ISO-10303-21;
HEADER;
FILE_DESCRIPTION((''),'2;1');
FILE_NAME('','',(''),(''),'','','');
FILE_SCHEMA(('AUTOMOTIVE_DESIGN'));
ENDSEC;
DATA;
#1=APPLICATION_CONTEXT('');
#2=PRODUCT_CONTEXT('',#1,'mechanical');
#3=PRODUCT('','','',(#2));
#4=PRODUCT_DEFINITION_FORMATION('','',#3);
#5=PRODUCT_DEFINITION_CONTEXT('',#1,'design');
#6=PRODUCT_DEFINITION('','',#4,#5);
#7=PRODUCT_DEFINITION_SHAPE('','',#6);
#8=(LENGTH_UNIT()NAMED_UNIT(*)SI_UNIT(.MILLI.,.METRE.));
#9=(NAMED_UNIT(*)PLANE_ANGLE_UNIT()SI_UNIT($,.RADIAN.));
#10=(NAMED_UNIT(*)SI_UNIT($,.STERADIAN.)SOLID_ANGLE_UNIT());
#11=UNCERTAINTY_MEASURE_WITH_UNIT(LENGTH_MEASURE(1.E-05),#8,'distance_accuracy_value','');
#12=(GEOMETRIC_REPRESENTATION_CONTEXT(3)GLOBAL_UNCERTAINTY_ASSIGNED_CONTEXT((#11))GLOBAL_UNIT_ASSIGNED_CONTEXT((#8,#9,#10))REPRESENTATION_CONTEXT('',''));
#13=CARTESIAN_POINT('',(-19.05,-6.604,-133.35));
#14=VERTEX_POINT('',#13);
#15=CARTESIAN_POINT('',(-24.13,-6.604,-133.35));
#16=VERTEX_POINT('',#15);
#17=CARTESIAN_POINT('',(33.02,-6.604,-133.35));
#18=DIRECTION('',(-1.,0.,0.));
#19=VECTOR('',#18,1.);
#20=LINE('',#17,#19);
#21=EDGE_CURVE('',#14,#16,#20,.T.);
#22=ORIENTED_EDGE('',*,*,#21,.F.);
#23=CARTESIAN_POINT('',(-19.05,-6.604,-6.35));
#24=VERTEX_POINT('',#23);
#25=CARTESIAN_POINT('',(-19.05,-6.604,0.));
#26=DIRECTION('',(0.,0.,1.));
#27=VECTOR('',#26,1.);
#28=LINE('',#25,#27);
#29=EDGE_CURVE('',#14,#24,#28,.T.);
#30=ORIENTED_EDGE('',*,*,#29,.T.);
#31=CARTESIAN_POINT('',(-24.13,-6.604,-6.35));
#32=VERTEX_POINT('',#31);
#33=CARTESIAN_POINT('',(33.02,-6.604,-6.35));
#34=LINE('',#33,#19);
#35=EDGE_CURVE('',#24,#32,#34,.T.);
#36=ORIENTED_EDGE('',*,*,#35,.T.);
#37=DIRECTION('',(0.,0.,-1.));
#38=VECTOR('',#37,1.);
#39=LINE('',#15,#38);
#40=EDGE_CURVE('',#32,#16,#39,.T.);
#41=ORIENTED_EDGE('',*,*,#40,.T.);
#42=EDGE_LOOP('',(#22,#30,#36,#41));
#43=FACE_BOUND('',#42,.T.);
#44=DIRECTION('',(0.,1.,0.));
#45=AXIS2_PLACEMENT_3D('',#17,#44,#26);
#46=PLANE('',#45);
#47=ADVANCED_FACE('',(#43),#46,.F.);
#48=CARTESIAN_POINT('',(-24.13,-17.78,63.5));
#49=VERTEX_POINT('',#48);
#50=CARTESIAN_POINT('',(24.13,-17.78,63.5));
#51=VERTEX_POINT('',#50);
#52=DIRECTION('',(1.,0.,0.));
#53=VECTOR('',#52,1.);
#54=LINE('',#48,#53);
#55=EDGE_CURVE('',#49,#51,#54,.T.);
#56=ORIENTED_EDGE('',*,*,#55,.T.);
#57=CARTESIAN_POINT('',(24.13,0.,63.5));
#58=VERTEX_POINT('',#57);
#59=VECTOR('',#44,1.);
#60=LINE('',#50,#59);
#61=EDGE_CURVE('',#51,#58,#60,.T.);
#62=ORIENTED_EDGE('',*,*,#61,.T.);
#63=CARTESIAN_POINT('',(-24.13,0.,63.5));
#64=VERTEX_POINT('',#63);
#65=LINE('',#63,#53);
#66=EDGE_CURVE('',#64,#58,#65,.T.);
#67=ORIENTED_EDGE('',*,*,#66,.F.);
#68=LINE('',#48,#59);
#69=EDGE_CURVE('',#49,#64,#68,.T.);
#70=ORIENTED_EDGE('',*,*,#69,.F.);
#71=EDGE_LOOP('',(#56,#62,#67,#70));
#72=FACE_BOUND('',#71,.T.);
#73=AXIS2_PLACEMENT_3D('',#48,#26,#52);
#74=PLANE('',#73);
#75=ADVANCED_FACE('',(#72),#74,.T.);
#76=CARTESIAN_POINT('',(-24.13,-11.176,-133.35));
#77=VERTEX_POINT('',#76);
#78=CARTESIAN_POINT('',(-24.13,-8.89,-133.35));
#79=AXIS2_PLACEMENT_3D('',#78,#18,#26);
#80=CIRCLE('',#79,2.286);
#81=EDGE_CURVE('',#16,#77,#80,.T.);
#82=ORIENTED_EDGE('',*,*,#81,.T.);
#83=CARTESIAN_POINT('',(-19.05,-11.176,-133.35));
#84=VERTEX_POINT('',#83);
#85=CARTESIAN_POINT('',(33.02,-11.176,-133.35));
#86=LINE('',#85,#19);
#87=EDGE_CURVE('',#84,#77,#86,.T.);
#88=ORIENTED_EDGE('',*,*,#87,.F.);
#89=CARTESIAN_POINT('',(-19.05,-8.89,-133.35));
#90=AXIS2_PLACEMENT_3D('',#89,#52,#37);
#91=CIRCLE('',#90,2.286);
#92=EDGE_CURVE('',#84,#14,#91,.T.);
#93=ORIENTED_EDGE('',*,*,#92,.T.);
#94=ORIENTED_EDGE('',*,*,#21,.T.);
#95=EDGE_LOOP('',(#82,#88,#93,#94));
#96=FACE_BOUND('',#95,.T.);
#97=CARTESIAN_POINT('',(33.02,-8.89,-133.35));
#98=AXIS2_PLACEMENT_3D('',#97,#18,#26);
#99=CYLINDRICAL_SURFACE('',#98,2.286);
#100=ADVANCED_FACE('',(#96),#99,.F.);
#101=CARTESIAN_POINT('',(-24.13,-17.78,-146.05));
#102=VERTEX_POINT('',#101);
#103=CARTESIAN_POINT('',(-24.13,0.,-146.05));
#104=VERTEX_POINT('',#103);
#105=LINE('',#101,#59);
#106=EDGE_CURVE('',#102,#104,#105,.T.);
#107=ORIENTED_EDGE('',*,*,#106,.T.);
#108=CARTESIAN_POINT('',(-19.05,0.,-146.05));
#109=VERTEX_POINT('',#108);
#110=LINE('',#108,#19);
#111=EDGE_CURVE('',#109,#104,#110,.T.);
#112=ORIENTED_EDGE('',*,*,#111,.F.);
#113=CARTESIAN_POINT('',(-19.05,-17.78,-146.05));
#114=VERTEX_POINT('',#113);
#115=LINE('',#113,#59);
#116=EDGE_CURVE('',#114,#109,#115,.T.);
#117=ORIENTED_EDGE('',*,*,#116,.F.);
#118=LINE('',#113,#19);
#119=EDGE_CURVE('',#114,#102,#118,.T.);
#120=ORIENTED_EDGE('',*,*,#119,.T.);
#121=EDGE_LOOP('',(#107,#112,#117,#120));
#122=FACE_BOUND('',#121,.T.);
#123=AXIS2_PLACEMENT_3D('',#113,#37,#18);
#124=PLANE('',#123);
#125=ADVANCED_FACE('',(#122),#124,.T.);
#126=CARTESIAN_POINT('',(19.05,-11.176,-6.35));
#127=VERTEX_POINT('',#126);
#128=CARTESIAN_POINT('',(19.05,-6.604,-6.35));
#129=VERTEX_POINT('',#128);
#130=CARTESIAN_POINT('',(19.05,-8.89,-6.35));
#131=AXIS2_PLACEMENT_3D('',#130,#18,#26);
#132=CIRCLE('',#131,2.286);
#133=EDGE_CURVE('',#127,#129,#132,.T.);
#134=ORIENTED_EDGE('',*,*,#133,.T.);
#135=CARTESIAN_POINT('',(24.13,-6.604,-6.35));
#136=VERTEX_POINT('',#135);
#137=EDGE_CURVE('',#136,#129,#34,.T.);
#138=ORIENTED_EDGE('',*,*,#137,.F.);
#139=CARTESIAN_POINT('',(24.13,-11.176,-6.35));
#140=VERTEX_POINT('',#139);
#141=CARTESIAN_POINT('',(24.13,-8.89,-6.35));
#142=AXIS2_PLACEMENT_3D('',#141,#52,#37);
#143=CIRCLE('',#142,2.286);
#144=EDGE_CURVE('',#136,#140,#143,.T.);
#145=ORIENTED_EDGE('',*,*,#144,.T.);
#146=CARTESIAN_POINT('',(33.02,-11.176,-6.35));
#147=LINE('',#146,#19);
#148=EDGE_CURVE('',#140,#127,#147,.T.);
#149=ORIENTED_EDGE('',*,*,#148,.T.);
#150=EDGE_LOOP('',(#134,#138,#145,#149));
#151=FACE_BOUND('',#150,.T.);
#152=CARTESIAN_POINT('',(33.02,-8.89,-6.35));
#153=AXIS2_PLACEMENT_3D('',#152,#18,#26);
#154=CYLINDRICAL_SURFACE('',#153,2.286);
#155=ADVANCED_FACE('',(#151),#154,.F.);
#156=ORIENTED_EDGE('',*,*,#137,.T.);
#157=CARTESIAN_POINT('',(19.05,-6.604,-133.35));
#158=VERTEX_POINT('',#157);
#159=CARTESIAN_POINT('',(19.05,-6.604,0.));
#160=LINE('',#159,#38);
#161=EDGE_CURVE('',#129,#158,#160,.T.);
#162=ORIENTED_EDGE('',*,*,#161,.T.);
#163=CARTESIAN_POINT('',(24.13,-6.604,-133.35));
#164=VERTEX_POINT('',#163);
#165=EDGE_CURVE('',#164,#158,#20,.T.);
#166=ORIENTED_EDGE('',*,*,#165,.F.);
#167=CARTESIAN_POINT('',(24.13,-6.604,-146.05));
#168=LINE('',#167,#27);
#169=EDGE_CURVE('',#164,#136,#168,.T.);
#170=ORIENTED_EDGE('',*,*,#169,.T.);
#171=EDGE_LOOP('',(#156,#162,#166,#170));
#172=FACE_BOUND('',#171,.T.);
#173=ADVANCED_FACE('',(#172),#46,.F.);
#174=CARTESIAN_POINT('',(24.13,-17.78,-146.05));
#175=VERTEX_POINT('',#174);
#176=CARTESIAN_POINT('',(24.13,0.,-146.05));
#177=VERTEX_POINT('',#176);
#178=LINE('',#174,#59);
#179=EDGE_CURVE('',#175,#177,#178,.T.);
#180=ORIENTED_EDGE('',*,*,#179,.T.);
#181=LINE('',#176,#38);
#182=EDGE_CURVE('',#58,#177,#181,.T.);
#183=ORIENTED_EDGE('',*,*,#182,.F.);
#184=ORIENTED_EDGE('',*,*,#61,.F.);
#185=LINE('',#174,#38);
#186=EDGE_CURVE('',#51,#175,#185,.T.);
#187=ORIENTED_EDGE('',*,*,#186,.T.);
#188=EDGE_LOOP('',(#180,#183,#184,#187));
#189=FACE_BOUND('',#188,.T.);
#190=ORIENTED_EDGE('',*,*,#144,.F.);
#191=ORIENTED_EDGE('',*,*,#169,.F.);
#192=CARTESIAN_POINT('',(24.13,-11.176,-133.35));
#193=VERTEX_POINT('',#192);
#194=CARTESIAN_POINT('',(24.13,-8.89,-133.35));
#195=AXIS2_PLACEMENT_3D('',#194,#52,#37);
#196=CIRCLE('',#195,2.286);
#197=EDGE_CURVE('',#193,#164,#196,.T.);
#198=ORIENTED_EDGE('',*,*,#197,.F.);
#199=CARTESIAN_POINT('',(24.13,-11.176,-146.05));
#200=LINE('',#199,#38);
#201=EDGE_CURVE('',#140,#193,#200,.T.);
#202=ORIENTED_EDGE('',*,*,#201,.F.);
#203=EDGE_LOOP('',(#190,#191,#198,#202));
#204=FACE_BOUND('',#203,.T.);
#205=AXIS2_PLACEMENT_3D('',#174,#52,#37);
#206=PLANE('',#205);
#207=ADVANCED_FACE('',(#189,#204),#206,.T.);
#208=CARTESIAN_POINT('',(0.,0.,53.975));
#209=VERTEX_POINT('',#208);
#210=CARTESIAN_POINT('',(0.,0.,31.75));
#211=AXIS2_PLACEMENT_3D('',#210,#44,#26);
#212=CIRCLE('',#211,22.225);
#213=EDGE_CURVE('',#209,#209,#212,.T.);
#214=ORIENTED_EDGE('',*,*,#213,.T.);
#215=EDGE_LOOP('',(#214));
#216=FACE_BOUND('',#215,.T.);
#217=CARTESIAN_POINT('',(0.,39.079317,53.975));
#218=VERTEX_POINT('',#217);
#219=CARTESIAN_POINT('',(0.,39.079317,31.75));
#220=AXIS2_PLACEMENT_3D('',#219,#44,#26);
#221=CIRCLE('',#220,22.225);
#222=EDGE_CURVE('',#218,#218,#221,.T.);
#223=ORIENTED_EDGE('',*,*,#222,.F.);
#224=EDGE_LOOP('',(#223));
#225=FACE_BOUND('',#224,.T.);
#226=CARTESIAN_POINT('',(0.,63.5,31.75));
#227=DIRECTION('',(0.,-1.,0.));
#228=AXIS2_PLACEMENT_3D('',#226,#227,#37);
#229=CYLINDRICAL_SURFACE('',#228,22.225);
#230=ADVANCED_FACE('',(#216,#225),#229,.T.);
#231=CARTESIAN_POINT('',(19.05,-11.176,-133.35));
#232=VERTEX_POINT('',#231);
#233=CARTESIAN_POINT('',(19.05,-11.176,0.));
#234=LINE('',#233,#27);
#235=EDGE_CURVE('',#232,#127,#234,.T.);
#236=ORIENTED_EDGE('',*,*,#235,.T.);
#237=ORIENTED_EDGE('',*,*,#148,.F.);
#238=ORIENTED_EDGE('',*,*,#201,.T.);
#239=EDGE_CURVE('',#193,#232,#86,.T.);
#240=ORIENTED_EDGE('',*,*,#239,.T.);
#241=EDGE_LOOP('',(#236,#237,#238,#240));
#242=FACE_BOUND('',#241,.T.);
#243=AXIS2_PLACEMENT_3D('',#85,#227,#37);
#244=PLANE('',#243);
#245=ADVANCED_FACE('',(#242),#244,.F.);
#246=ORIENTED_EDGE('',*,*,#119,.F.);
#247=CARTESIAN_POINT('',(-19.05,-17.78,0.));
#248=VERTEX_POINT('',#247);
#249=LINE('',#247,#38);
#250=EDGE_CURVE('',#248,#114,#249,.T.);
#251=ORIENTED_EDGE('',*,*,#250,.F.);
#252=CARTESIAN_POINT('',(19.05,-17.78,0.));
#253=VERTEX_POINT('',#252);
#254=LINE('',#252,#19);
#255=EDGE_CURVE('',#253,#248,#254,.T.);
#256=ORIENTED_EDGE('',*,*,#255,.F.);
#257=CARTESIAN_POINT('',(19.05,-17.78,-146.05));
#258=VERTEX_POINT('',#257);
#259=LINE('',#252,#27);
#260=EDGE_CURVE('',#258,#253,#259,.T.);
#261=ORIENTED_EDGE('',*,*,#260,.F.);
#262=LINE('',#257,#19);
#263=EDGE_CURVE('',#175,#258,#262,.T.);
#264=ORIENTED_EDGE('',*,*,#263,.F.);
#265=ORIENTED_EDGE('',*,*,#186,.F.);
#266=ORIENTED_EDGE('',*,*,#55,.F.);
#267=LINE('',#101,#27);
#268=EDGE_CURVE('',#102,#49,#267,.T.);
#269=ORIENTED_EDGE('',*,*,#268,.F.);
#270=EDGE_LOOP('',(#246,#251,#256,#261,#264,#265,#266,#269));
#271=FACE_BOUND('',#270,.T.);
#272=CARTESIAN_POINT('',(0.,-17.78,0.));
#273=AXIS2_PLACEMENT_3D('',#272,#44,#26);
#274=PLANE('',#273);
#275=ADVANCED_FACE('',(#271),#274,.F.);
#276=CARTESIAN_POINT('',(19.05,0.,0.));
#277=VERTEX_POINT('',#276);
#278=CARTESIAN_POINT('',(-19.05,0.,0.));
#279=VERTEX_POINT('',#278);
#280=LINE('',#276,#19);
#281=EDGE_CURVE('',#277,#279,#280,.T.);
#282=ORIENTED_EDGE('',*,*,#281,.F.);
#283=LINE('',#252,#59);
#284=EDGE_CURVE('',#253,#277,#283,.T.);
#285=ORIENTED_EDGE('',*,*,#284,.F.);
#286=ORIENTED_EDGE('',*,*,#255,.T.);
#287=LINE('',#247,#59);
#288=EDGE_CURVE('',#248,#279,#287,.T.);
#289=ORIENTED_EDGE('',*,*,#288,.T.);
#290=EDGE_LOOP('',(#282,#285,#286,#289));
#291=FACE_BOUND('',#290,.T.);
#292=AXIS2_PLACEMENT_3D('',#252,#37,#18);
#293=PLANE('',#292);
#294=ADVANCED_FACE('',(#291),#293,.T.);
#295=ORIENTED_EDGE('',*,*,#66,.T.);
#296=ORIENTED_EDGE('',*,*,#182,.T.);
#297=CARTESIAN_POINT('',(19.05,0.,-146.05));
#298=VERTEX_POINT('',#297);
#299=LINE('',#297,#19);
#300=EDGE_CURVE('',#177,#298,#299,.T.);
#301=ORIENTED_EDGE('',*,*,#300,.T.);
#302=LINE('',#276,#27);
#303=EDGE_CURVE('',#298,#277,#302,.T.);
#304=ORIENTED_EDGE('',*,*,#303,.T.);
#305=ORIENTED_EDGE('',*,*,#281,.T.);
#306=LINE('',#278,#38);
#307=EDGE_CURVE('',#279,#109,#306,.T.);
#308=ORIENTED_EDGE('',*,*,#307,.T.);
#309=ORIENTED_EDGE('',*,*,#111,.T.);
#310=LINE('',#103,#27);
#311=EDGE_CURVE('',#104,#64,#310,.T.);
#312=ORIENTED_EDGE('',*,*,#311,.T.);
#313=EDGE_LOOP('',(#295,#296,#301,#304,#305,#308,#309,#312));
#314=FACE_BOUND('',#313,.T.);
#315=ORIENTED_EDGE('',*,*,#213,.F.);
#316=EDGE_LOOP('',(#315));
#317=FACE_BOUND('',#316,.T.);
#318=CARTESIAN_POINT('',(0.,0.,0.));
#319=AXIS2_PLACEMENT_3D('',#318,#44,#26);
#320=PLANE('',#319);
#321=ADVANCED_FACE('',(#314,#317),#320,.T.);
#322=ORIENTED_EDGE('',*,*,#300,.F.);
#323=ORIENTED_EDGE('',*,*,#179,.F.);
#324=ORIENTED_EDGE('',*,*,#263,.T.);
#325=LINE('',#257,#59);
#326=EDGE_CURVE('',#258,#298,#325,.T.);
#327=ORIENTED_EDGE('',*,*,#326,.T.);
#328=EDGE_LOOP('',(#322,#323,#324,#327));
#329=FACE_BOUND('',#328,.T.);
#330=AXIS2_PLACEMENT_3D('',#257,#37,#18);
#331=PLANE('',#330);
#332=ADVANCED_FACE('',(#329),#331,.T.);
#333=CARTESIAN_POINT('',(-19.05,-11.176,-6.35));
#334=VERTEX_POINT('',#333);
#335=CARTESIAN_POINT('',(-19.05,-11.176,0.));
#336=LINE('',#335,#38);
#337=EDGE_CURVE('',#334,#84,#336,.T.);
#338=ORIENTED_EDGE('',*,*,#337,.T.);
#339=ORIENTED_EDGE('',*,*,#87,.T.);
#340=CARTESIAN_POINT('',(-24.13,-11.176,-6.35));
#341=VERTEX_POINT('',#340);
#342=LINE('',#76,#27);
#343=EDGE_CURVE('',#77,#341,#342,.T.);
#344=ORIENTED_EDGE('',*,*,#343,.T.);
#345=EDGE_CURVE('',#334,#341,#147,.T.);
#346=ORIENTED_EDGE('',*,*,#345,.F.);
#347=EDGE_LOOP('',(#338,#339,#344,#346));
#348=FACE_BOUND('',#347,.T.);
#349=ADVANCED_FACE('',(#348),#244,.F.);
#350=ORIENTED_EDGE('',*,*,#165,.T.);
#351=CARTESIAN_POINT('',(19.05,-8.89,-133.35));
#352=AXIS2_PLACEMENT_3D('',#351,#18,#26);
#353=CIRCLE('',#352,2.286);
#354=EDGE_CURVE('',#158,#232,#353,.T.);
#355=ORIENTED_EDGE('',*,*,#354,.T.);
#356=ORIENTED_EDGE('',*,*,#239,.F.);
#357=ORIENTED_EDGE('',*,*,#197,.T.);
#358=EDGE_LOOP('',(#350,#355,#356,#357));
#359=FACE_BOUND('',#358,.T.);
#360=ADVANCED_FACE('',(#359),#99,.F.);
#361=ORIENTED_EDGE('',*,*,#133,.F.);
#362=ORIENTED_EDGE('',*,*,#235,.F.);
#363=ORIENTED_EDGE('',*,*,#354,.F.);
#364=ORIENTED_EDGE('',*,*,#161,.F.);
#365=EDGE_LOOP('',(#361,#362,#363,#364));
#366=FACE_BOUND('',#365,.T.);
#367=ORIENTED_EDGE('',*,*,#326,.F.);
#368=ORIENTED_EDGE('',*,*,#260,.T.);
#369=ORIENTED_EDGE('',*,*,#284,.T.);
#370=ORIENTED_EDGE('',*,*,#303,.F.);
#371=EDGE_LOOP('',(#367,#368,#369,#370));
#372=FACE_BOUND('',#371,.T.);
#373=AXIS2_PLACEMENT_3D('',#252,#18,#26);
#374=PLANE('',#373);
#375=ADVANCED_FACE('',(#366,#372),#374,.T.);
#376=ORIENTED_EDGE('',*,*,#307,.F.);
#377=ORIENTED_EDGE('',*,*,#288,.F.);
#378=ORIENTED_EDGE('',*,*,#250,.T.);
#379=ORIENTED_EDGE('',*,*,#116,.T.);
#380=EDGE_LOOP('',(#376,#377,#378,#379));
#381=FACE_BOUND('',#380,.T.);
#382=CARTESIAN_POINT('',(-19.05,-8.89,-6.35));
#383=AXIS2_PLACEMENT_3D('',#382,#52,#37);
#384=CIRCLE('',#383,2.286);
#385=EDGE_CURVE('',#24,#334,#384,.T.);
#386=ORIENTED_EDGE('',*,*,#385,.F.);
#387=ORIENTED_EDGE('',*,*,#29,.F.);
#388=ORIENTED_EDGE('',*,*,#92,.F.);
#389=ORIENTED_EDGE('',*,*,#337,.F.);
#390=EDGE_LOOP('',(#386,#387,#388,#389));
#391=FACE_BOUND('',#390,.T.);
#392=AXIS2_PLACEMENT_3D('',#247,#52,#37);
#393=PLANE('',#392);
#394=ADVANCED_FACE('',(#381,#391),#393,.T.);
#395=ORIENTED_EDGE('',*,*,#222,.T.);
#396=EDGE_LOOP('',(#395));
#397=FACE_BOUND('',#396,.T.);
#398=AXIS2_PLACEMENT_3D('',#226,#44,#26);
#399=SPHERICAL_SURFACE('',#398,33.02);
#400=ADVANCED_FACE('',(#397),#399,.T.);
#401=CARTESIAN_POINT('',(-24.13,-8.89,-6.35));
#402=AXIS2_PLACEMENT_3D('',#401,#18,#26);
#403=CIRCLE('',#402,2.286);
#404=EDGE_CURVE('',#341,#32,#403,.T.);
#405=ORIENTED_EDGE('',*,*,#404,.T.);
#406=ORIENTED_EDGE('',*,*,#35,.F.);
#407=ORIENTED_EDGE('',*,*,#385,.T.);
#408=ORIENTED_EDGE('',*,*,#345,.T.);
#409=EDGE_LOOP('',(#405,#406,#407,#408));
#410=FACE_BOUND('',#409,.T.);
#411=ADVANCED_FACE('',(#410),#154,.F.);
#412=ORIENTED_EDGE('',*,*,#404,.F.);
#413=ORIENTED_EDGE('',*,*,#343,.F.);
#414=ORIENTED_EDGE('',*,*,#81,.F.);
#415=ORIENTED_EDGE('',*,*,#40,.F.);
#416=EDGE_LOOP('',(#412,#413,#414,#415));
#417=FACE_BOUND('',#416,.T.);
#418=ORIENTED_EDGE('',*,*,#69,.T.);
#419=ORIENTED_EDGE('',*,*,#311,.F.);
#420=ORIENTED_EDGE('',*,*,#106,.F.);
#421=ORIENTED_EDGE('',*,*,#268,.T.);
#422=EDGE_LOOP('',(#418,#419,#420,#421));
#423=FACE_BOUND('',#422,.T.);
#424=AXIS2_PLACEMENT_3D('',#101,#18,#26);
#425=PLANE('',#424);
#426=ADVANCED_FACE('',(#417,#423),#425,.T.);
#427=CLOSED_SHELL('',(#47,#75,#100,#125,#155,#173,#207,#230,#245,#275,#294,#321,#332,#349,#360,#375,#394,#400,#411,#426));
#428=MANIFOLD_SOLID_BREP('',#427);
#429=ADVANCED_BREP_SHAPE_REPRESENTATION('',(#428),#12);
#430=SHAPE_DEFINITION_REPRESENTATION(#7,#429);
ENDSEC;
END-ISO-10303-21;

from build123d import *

# Parameters (mm, degrees)
BOSS_EXTRUDE1_DEPTH = 17.78
SKETCH3_R           = 22.225
BOSS_EXTRUDE2_DEPTH = 63.5
CUT_EXTRUDE1_DEPTH  = 185.154379258


with BuildPart() as part:
    # Sketch1 → Boss-Extrude1 (new body)
    with BuildSketch(Plane(origin=(0, 0, 0), x_dir=(1, 0, 0), z_dir=(0, 1, 0))):
        Polygon((-19.05, 146.05), (-24.13, 146.05), (-24.13, -63.5), (24.13, -63.5), (24.13, 146.05), (19.05, 146.05), (19.05, 0), (-19.05, 0), align=None)
    extrude(amount=-BOSS_EXTRUDE1_DEPTH)

    # Sketch3 → Boss-Extrude2 (add)
    with BuildSketch(Plane(origin=(0, 0, 0), x_dir=(1, 0, 0), z_dir=(0, 1, 0))):
        with Locations((0, -31.75)):
            Circle(SKETCH3_R)
    extrude(amount=BOSS_EXTRUDE2_DEPTH)

    # Sketch5 → Revolve1 (revolve)
    with BuildSketch(Plane(origin=(0, 0, 31.75), x_dir=(0, -1, 0), z_dir=(0, 0, 1))):
        with BuildLine():
            Line((-63.5, -33.02), (-63.5, 33.02))
            ThreePointArc((-63.5, 33.02), (-96.52, 0), (-63.5, -33.02))
        make_face()
    revolve(axis=Axis((0, 63.5, 31.75), (1, 0, 0)))

    # Sketch6 → Cut-Extrude1 (cut, through all)
    with BuildSketch(Plane.ZY.offset(24.13)):
        with BuildLine():
            Line((-133.35, -6.604), (-6.35, -6.604))
            ThreePointArc((-6.35, -6.604), (-4.064, -8.89), (-6.35, -11.176))
            Line((-6.35, -11.176), (-133.35, -11.176))
            ThreePointArc((-133.35, -11.176), (-135.636, -8.89), (-133.35, -6.604))
        make_face()
    extrude(amount=-CUT_EXTRUDE1_DEPTH, mode=Mode.SUBTRACT)


solid = part.part
